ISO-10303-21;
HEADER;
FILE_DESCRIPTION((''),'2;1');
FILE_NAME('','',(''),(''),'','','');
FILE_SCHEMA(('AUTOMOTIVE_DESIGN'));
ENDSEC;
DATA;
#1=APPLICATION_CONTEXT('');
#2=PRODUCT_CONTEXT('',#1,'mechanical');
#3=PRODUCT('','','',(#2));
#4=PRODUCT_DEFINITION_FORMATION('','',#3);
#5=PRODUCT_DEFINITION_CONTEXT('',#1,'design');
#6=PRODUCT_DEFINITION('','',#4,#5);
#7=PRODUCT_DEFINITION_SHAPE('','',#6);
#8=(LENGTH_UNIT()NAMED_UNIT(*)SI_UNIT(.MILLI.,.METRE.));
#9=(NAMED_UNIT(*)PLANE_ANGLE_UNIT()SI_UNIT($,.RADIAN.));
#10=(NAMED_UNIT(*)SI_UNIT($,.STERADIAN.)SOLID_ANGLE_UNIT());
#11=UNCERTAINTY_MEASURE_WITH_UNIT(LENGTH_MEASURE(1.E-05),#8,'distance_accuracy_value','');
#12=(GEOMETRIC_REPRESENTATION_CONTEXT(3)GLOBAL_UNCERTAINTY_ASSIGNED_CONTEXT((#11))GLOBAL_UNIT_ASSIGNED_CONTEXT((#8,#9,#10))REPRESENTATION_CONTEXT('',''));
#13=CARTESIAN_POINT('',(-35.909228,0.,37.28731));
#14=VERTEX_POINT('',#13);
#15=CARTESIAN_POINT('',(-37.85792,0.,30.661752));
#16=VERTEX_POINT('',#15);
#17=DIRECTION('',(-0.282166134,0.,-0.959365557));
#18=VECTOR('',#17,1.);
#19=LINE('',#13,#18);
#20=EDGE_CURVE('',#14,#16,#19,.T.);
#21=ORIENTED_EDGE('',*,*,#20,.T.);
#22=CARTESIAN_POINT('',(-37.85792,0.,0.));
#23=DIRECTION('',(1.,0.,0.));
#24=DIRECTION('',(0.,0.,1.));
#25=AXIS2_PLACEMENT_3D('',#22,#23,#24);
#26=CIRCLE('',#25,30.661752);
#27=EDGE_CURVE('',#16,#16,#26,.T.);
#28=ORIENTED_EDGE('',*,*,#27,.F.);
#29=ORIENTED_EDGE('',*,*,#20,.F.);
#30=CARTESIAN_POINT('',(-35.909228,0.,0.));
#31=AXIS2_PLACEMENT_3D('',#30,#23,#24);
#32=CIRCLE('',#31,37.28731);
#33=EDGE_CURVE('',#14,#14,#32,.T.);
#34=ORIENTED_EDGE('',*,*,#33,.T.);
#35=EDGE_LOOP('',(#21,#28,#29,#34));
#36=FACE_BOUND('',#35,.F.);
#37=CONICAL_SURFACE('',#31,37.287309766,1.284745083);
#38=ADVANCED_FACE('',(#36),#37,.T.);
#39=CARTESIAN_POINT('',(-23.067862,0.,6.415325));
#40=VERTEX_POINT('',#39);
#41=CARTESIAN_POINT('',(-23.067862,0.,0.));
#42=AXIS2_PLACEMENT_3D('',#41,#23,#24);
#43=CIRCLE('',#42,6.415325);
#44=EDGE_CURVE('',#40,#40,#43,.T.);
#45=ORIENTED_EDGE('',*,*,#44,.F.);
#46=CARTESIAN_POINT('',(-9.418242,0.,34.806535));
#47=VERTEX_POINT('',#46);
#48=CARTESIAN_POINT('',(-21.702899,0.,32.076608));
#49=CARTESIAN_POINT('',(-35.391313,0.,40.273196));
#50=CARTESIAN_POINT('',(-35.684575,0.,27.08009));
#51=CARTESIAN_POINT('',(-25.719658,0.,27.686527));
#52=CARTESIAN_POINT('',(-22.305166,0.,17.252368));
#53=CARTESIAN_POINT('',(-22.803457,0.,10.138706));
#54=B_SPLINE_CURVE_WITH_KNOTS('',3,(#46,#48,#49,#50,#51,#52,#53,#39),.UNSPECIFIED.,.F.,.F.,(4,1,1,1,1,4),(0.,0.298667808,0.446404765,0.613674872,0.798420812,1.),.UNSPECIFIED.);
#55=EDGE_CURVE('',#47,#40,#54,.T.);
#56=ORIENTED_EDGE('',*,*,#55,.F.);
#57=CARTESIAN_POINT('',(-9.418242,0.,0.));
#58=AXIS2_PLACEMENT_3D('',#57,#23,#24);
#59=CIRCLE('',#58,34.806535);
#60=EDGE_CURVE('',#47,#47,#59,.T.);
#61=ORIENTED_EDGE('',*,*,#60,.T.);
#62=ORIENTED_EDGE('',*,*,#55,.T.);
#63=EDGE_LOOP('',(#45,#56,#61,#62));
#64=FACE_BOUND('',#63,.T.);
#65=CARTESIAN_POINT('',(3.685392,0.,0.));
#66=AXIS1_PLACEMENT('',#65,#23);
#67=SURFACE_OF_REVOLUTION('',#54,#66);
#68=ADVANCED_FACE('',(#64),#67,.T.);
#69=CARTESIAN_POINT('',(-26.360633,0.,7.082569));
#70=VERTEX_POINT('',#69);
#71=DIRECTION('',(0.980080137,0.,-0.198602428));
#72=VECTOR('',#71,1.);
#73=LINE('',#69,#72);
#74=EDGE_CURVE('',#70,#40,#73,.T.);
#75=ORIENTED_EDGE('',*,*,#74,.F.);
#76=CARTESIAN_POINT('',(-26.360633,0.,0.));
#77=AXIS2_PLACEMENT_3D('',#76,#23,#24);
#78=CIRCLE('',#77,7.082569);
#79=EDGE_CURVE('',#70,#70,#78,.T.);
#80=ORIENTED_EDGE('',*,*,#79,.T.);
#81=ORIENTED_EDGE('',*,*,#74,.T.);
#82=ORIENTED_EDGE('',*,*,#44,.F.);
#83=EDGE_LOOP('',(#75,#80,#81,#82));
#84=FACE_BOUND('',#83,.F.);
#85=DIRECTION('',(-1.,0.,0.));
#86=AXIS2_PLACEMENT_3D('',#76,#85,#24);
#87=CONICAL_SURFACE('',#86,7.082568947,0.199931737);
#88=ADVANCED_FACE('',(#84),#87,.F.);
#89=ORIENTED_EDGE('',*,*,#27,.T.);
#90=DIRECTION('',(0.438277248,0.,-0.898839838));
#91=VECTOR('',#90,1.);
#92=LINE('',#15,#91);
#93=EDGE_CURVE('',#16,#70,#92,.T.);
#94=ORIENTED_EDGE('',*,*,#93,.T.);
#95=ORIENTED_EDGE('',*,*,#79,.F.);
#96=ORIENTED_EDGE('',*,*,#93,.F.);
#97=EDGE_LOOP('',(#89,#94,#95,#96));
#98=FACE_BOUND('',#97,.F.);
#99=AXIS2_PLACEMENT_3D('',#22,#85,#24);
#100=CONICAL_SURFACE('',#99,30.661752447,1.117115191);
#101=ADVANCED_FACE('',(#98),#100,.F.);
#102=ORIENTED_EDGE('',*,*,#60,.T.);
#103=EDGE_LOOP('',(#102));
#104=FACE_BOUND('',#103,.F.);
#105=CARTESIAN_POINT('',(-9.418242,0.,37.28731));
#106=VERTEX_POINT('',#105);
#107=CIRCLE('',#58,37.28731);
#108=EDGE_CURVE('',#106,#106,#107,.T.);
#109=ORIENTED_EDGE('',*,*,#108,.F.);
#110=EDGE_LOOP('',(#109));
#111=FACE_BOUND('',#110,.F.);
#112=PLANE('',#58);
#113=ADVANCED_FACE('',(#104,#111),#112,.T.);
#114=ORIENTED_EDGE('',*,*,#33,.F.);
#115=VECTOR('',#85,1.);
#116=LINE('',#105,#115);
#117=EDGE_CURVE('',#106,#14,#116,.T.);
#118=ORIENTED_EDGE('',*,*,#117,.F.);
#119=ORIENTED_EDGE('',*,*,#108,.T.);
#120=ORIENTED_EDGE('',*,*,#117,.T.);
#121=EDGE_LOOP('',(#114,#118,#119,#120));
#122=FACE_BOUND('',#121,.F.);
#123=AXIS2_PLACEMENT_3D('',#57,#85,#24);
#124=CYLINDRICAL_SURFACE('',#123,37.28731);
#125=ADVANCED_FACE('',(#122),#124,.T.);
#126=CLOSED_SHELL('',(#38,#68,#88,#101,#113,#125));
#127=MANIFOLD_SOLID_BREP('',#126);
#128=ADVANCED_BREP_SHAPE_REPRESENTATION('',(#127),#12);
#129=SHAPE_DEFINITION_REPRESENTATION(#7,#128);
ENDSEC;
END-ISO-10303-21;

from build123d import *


with BuildPart() as f1:
    # F0 (on Front) → F1 (revolve)
    with BuildSketch(Plane.XZ):
        with BuildLine():
            add(Edge.make_bspline(
                [(-9.4182416797, 34.8065346479), (-21.7028986663, 32.0766083896), (-35.391313091, 40.2731956757), (-35.6845751024, 27.0800897744), (-25.7196582586, 27.6865274709), (-22.3051663088, 17.2523681292), (-22.8034570484, 10.1387060879), (-23.0678617954, 6.4153252169)],
                knots=[0, 0, 0, 0, 0.2986678082, 0.4464047647, 0.6136748718, 0.798420812, 1, 1, 1, 1], degree=3))
            Line((-9.4182416797, 34.8065346479), (-9.4182416797, 37.2873097658))
            Line((-9.4182416797, 37.2873097658), (-35.9092280269, 37.2873097658))
            Line((-35.9092280269, 37.2873097658), (-37.8579199314, 30.6617524475))
            Line((-37.8579199314, 30.6617524475), (-26.3606328517, 7.0825689472))
            Line((-26.3606328517, 7.0825689472), (-23.0678617954, 6.4153252169))
        make_face()
    revolve(axis=Axis((3.6853924394, 0, 0), (1, 0, 0)))


solid = f1.part
